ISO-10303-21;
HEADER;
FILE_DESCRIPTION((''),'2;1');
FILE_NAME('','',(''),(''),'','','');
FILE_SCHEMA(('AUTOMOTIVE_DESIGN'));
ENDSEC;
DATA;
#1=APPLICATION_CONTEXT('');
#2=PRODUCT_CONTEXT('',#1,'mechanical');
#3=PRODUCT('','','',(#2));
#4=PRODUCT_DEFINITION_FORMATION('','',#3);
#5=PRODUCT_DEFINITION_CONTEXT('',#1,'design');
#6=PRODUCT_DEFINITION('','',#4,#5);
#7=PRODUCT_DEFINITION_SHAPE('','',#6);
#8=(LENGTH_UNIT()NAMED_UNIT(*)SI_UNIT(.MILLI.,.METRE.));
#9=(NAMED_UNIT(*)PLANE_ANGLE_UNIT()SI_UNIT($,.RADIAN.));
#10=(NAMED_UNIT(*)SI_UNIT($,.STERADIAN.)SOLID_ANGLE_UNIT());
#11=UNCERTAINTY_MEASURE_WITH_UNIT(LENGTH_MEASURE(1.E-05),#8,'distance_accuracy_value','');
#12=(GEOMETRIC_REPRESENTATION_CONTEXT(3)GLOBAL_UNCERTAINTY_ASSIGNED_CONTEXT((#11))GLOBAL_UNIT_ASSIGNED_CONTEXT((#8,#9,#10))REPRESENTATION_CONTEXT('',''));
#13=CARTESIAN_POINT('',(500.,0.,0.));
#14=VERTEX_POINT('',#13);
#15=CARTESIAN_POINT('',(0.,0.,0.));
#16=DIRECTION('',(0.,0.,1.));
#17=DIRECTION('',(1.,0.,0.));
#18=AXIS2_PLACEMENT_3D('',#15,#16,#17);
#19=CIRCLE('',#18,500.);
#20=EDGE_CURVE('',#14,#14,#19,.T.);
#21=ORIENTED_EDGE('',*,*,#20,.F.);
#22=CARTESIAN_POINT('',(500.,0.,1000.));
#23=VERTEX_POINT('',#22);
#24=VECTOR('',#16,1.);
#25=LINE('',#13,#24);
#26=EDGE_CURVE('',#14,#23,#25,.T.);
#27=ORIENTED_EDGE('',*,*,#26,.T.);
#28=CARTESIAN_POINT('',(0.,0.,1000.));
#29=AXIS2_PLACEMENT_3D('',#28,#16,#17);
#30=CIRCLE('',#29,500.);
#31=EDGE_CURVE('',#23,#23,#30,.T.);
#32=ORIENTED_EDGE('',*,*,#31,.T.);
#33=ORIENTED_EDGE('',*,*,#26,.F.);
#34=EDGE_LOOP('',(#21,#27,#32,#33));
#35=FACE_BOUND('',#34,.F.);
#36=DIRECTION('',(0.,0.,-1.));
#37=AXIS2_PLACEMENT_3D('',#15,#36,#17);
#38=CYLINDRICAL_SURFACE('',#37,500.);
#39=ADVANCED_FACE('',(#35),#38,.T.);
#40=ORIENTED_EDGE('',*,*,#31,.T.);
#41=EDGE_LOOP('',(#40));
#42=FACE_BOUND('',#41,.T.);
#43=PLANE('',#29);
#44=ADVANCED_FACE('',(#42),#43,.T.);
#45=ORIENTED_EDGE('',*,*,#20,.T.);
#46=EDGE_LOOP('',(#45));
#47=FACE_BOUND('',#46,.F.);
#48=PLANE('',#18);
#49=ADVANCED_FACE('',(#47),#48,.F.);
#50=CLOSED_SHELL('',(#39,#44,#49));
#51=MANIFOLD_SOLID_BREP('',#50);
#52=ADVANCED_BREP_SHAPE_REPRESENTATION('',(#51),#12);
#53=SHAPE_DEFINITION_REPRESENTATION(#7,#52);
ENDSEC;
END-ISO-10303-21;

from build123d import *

# Parameters (mm, degrees)
CYLINDER_R     = 500
CYLINDER_DEPTH = 1000


with BuildPart() as part:
    # Cylinder → Cylinder (new body)
    with BuildSketch(Plane.XY):
        Circle(CYLINDER_R)
    extrude(amount=CYLINDER_DEPTH)


solid = part.part
